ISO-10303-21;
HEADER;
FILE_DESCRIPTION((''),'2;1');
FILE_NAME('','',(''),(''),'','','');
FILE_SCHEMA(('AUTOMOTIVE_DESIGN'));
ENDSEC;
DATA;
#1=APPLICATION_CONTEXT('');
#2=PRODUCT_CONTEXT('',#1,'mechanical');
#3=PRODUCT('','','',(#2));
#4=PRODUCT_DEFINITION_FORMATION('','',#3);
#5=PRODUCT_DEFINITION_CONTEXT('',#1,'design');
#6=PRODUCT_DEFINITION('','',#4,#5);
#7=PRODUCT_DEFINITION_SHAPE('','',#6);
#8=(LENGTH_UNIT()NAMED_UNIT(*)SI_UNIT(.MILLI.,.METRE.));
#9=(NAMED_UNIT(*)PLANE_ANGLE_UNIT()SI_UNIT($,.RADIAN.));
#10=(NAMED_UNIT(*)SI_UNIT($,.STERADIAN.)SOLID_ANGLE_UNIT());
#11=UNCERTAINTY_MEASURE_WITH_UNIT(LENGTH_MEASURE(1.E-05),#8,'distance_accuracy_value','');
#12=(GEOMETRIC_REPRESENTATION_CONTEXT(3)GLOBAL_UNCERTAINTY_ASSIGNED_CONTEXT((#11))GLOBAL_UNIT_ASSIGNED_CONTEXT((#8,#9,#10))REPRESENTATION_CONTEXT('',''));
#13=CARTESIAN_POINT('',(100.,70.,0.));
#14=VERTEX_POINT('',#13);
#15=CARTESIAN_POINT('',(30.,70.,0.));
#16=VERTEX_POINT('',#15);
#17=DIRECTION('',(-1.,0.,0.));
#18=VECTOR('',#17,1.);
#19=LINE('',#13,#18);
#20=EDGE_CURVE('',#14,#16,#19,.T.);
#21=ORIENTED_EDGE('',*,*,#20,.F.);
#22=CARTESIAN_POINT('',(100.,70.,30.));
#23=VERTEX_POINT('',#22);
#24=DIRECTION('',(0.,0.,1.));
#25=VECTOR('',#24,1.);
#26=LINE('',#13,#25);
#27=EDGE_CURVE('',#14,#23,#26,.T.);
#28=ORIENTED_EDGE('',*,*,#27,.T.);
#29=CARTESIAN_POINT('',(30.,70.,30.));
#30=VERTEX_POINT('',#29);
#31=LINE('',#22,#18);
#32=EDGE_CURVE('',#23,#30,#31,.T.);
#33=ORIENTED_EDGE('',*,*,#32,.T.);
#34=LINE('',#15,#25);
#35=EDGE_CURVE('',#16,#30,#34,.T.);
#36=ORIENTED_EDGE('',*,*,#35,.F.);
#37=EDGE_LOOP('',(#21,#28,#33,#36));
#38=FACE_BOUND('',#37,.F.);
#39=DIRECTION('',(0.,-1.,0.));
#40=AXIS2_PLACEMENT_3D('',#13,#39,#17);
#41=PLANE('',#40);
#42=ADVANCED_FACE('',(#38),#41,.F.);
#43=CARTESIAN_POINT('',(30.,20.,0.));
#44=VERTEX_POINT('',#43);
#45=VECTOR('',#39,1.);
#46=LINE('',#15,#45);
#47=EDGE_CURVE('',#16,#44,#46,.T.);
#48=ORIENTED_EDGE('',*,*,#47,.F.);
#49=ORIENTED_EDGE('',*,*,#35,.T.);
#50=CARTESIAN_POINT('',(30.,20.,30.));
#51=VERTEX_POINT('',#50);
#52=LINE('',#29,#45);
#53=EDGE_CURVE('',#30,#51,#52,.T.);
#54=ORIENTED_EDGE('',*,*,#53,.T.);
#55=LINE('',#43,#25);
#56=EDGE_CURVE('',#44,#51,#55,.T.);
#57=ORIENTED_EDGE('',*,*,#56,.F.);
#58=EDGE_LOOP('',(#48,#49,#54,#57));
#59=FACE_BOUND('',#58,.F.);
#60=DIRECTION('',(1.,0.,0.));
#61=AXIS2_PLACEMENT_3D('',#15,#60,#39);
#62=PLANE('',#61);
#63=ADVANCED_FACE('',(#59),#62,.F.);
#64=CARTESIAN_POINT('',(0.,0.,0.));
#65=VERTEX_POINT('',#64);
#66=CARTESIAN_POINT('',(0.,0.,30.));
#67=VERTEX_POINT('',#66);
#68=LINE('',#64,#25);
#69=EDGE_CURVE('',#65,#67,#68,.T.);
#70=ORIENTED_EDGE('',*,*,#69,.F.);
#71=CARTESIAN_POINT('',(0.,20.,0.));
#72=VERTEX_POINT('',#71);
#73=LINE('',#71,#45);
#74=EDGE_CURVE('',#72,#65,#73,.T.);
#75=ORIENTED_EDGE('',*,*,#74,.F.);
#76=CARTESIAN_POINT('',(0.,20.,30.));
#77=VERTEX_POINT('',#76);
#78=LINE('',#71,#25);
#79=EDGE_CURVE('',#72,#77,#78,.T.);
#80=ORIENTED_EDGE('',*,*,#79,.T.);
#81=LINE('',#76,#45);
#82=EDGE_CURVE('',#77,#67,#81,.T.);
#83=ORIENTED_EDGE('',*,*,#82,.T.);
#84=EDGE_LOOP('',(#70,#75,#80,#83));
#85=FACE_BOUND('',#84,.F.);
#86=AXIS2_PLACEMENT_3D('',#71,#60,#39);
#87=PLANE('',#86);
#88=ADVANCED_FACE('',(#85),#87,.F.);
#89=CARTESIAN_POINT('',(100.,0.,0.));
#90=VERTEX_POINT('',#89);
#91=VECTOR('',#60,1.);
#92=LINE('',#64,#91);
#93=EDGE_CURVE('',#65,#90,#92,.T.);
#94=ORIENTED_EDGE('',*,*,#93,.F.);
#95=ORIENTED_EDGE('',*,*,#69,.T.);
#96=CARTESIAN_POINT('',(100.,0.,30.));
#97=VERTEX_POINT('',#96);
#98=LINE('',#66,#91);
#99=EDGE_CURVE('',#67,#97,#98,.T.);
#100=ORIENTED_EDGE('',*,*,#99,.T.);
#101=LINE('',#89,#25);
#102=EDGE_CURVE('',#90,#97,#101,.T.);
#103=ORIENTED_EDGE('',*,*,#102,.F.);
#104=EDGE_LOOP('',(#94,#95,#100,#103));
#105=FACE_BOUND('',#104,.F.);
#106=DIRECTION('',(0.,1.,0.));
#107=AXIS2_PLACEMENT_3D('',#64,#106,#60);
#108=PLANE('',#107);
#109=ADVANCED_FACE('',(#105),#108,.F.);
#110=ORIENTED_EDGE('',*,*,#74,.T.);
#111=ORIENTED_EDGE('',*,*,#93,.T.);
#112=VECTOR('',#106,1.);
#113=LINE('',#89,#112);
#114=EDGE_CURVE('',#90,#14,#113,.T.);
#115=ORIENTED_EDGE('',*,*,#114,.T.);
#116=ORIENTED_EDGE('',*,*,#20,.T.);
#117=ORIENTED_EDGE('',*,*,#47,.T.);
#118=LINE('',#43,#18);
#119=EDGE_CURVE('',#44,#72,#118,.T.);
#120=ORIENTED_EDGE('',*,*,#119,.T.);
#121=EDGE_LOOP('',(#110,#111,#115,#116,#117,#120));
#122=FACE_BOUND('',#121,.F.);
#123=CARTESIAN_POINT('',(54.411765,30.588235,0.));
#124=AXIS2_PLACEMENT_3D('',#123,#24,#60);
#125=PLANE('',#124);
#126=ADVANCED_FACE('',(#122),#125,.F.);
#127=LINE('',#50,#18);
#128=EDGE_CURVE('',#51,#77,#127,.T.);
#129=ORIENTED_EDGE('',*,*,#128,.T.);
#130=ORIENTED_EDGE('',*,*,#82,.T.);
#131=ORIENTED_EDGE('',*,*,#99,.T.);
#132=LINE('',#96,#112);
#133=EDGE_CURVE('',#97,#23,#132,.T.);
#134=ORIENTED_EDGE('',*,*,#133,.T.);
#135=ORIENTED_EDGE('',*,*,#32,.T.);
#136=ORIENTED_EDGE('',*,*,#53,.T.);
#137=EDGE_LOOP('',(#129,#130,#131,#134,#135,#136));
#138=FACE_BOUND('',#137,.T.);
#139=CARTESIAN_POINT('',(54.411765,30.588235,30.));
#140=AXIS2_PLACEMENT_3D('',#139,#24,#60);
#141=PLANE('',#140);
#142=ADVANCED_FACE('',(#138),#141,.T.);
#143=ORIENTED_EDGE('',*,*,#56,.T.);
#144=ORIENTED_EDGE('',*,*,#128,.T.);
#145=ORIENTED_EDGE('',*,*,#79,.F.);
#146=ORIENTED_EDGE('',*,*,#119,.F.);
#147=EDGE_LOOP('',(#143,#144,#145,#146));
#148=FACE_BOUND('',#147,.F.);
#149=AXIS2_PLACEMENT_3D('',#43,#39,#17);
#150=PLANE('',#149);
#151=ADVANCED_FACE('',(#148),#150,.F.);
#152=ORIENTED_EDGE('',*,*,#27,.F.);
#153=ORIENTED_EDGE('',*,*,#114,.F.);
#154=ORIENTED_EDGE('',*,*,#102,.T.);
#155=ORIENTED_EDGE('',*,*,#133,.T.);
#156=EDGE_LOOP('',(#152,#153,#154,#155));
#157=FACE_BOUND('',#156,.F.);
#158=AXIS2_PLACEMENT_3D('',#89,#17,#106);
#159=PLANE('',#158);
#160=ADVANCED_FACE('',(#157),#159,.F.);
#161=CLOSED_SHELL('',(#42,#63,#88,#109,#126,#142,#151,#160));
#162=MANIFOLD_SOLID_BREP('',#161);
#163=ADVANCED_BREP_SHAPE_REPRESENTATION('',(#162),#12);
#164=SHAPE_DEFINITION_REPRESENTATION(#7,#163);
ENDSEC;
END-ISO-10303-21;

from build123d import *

# Parameters (mm, degrees)
PAD_DEPTH = 30


with BuildPart() as part:
    # Sketch → Pad (new body)
    with BuildSketch(Plane.XY):
        Polygon((0, 0), (100, 0), (100, 70), (30, 70), (30, 20), (0, 20), align=None)
    extrude(amount=PAD_DEPTH)


solid = part.part
